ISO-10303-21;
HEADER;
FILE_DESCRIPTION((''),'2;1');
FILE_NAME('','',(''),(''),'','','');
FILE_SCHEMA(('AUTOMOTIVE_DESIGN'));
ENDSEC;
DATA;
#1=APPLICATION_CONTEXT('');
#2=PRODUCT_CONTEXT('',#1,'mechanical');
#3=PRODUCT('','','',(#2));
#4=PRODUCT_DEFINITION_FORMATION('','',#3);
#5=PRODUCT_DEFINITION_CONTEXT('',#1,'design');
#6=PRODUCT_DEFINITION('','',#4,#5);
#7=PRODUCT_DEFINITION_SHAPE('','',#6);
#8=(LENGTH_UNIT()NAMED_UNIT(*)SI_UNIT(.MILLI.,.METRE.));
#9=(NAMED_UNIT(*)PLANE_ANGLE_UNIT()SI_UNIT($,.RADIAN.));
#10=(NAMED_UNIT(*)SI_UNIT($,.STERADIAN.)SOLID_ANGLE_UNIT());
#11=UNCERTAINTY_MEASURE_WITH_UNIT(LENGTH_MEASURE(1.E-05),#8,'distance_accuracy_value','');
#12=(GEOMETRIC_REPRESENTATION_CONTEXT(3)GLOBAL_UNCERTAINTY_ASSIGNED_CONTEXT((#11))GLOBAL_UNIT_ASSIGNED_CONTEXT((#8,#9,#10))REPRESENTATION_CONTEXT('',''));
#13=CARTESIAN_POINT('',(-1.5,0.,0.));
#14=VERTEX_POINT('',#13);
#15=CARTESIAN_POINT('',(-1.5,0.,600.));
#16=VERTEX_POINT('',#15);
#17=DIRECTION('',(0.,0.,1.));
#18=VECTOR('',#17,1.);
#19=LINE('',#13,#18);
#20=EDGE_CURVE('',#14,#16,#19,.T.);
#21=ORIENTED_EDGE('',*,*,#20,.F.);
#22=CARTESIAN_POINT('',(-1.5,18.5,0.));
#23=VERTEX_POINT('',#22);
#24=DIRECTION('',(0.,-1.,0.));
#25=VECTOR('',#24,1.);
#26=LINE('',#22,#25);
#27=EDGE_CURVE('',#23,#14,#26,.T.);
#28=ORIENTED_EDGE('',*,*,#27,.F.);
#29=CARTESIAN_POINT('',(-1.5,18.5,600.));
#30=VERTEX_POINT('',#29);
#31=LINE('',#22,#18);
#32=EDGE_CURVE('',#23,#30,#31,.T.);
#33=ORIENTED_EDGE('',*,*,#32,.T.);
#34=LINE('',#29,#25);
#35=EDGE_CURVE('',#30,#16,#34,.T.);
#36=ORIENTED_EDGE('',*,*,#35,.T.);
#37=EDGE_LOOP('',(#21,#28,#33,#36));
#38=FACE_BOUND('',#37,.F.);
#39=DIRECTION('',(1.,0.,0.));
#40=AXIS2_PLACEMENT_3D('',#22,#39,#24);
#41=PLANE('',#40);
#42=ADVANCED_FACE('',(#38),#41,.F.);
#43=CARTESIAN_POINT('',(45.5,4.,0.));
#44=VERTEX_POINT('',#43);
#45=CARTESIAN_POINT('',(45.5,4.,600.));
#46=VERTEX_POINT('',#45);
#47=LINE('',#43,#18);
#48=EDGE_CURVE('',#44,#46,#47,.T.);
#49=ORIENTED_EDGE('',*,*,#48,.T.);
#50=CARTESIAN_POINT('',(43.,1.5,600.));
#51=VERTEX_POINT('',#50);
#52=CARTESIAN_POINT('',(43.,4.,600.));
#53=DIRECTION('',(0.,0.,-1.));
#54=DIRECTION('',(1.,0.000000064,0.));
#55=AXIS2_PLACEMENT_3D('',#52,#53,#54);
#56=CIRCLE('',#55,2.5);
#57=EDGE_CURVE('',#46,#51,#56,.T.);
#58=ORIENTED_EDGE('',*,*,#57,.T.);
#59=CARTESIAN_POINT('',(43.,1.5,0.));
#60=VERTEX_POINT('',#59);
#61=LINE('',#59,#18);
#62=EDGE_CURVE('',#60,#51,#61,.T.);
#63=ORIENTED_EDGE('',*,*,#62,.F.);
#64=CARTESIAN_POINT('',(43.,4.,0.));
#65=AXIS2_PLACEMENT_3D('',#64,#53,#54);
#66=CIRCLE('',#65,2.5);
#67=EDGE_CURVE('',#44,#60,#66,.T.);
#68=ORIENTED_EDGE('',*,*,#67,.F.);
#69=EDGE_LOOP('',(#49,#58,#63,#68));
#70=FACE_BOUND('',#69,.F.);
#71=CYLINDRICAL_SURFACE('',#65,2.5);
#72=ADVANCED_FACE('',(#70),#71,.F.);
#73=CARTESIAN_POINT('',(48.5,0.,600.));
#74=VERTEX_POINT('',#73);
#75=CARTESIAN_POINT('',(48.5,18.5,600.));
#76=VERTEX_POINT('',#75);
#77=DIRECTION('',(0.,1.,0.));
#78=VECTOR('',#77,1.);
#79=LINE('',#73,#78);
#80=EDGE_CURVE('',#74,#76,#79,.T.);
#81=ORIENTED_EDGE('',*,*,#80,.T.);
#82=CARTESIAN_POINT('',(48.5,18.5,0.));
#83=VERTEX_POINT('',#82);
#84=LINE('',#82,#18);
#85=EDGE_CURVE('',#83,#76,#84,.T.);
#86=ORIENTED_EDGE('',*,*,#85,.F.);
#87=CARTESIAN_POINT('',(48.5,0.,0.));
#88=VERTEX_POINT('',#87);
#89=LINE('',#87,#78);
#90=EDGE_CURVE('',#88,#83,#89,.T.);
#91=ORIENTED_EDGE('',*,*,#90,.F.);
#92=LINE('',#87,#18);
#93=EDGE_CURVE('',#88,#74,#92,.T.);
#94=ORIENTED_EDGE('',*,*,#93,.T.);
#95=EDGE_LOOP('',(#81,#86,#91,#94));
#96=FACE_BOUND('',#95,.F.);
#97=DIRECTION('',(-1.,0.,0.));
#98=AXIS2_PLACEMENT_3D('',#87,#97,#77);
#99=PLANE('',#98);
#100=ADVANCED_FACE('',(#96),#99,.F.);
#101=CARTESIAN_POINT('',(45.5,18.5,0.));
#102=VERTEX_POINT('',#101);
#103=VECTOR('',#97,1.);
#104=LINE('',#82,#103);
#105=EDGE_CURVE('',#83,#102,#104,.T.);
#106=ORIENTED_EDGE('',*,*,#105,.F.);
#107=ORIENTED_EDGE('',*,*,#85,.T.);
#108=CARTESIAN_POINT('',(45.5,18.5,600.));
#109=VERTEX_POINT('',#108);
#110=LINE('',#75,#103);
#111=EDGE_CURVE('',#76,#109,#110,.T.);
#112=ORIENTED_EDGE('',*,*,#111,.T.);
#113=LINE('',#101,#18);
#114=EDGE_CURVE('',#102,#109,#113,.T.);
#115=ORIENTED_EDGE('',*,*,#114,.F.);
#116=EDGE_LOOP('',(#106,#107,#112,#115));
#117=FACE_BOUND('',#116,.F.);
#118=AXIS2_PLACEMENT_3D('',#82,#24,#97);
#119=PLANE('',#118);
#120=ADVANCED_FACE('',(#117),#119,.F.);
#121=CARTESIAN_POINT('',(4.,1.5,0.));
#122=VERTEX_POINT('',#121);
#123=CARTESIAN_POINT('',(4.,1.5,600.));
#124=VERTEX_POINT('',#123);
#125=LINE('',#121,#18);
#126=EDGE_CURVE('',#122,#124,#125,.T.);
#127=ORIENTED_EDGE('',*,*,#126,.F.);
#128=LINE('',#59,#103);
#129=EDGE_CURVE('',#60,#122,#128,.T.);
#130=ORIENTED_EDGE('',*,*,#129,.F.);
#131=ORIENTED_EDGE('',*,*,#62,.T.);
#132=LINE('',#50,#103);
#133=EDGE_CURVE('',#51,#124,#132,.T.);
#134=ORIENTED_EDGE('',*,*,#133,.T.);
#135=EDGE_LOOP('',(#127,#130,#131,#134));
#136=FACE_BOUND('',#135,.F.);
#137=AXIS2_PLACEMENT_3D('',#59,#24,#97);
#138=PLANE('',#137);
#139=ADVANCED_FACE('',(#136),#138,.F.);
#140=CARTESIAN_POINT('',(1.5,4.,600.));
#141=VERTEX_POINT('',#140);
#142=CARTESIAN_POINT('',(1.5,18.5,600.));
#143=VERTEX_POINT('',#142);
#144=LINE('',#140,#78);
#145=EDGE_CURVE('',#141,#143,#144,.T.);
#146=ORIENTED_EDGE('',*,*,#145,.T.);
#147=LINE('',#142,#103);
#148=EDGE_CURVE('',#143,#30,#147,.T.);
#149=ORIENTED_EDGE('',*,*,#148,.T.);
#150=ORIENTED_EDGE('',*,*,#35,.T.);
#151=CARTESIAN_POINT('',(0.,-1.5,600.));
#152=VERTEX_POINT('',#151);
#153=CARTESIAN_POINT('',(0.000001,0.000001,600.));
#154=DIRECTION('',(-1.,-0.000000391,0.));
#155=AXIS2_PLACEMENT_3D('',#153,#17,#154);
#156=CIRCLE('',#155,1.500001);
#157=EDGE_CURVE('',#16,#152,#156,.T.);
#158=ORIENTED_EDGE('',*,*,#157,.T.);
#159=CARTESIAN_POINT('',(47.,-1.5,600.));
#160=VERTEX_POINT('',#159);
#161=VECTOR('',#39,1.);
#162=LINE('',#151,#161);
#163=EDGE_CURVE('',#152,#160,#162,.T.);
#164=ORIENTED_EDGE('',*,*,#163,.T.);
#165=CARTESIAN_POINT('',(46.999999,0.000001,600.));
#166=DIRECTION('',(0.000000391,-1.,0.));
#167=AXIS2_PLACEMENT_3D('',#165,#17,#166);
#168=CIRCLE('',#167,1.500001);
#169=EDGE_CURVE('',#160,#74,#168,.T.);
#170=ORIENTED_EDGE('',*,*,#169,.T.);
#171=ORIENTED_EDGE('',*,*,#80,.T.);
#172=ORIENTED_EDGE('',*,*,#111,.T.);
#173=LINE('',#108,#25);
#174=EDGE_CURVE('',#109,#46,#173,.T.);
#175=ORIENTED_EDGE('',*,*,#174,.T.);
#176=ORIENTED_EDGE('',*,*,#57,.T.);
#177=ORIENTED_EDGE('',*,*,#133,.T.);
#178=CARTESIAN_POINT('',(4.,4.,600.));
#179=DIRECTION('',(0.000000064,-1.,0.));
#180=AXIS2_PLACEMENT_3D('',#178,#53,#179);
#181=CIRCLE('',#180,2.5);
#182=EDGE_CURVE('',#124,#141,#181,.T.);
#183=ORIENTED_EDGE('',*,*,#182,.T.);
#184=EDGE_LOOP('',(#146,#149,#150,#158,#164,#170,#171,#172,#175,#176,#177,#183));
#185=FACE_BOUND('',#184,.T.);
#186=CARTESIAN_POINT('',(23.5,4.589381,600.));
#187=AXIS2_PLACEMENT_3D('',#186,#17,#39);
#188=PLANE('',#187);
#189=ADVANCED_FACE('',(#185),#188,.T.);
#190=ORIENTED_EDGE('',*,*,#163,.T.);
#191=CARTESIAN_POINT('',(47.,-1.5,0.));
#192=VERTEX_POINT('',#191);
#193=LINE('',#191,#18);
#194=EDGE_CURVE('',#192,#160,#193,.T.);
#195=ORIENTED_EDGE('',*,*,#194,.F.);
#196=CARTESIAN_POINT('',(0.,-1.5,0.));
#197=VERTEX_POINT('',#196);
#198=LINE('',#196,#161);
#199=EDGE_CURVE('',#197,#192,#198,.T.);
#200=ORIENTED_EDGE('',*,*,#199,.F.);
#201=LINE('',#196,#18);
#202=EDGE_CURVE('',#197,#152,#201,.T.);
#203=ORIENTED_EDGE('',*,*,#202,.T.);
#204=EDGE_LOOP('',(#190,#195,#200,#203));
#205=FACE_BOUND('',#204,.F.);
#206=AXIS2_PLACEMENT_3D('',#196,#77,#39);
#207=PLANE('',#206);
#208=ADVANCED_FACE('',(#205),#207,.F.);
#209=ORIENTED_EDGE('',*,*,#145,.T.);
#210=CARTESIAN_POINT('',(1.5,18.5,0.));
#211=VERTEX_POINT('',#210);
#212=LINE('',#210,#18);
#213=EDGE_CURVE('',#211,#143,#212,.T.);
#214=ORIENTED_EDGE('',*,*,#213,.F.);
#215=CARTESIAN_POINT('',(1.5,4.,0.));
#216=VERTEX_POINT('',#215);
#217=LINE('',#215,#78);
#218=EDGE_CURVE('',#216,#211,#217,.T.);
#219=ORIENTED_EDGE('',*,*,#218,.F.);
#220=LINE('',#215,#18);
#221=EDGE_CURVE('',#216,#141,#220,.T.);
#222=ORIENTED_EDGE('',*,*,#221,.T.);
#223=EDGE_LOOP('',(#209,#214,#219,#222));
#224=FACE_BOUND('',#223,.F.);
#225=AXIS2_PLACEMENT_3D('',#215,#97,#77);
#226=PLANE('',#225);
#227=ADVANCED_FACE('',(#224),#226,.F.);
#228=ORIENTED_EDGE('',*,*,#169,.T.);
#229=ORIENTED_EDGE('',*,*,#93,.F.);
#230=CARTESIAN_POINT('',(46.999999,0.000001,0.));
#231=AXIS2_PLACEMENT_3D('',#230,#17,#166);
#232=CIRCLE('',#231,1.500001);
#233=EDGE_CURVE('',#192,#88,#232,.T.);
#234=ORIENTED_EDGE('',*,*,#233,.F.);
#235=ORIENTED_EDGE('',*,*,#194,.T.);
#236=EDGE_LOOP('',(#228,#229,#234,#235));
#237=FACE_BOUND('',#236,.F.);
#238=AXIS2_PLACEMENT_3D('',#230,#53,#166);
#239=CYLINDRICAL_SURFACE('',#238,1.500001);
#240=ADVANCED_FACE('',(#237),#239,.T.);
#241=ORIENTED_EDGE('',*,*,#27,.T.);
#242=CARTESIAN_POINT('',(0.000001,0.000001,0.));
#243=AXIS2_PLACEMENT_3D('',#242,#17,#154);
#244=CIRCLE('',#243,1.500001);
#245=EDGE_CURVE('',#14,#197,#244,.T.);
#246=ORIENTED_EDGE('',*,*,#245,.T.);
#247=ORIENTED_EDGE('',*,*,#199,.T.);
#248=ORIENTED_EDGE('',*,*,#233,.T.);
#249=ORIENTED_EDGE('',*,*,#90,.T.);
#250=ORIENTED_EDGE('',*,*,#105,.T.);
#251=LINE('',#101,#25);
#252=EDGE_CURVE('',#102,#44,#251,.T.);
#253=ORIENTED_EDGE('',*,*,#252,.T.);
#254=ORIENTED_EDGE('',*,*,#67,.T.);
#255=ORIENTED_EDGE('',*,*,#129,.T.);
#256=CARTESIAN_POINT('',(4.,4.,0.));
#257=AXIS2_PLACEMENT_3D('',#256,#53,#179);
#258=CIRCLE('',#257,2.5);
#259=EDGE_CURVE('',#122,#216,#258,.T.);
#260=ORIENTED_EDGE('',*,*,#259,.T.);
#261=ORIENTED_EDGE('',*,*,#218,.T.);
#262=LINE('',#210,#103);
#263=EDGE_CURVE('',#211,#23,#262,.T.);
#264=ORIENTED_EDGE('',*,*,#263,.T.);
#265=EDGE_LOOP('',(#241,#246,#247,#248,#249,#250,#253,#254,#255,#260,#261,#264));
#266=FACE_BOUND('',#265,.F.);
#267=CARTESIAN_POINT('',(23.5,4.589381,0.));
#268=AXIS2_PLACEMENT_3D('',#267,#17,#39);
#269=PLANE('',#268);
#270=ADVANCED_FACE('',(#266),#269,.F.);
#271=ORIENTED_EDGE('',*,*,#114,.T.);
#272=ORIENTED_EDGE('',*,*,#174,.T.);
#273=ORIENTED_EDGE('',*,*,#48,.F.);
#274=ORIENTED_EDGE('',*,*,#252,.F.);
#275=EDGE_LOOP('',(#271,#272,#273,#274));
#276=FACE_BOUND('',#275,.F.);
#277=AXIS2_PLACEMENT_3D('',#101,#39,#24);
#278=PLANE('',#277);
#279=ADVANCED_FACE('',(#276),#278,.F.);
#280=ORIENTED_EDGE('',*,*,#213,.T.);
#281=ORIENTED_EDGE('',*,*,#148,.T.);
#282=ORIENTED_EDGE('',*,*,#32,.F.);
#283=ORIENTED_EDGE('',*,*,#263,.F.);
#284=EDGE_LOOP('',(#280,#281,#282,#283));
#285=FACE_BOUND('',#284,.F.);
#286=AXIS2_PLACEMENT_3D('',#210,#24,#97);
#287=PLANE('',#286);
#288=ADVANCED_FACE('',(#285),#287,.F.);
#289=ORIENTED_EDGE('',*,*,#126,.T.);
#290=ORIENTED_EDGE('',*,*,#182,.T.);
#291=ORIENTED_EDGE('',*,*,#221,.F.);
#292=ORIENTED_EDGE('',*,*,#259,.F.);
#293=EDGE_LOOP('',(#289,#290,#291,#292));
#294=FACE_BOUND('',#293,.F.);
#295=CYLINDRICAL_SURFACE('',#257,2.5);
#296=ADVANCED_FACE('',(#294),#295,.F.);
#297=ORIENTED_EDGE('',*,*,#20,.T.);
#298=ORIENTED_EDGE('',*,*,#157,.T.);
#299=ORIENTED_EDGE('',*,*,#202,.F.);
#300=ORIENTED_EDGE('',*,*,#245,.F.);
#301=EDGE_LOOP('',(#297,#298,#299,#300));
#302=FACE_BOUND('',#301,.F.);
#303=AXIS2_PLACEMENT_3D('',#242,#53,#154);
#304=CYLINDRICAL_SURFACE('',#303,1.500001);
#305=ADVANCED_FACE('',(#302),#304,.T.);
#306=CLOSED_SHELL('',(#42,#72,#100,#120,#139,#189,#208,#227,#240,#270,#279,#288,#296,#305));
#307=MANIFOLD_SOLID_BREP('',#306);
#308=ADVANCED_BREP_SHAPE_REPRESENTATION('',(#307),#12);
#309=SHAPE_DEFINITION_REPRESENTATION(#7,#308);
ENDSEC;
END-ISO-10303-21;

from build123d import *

# Parameters (mm, degrees)
F1_DEPTH = 600


with BuildPart() as f1:
    # F0 (on Top) → F1 (new body)
    with BuildSketch(Plane.XY):
        with BuildLine():
            ThreePointArc((-1.5, 0), (-1.06066, -1.06066), (0, -1.5))
            Line((0, -1.5), (47, -1.5))
            ThreePointArc((47, -1.5), (48.06066, -1.06066), (48.5, 0))
            Line((48.5, 0), (48.5, 18.5))
            Line((48.5, 18.5), (45.5, 18.5))
            Line((45.5, 18.5), (45.5, 4))
            ThreePointArc((45.5, 4), (44.767767, 2.232233), (43, 1.5))
            Line((43, 1.5), (4, 1.5))
            ThreePointArc((4, 1.5), (2.232233, 2.232233), (1.5, 4))
            Line((1.5, 4), (1.5, 18.5))
            Line((1.5, 18.5), (-1.5, 18.5))
            Line((-1.5, 18.5), (-1.5, 0))
        make_face()
    extrude(amount=F1_DEPTH)


solid = f1.part
